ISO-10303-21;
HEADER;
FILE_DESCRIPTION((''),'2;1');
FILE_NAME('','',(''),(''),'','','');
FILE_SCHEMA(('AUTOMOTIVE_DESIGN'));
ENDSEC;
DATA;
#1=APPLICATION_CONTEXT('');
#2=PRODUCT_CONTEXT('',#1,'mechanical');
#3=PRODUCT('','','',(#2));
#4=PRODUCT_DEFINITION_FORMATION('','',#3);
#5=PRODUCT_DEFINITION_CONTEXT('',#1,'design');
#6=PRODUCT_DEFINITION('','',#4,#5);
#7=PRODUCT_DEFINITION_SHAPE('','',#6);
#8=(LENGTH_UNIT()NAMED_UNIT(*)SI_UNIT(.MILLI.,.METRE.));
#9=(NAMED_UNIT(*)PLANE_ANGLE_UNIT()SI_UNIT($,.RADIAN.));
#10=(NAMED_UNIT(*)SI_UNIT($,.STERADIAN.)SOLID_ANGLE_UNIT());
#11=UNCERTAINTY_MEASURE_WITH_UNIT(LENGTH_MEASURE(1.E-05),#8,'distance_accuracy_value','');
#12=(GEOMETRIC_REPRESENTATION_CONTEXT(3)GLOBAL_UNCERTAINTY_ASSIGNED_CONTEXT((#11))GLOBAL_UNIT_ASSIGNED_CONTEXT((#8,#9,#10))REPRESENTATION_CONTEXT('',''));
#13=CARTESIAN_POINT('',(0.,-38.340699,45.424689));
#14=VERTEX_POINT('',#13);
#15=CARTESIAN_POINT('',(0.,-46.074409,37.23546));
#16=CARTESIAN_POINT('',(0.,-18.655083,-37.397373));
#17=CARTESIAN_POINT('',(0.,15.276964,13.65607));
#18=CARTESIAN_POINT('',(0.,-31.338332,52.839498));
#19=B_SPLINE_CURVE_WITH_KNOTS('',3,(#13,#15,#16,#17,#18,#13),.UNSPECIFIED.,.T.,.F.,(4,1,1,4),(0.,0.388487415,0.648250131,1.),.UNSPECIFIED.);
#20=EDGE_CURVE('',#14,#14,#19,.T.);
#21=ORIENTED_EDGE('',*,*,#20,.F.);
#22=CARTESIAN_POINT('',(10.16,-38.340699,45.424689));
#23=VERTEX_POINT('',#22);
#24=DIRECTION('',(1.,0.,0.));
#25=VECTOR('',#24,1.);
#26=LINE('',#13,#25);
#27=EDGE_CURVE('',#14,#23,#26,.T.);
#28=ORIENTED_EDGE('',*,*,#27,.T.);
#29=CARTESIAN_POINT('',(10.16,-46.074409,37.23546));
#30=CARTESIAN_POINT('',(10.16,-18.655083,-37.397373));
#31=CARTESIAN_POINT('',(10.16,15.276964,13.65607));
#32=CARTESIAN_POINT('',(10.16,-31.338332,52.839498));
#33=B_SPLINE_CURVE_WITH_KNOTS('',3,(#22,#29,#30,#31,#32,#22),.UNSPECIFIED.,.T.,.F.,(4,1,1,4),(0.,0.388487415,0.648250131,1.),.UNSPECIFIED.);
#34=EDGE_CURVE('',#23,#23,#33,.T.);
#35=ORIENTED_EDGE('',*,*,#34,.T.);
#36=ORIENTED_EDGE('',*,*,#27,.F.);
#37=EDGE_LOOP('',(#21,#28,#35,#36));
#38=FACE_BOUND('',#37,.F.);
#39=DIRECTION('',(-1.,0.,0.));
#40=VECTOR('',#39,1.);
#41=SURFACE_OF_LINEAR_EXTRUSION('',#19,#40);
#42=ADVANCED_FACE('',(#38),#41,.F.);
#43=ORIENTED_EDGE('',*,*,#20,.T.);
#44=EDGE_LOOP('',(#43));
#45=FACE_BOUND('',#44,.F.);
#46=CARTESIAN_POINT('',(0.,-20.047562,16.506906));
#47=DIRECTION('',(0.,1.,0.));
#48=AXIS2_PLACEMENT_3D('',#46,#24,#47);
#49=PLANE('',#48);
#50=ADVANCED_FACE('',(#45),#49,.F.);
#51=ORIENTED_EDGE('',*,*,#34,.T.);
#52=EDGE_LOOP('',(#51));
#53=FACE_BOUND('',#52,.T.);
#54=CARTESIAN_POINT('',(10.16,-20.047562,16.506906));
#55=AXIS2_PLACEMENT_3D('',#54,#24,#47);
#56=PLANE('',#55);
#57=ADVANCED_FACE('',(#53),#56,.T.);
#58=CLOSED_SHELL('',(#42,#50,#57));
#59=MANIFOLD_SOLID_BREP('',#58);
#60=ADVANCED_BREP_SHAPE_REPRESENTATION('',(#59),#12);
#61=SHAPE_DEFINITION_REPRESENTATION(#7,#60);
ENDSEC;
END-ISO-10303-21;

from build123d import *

# Parameters (mm, degrees)
F1_DEPTH = 10.16


with BuildPart() as f1:
    # F0 (on Right) → F1 (new body)
    with BuildSketch(Plane.YZ):
        with BuildLine():
            add(Edge.make_bspline(
                [(-38.3406989276, 45.4246886075), (-46.0744092247, 37.2354599001), (-18.655083046, -37.3973729837), (15.2769638788, 13.6560701947), (-31.3383315972, 52.8394979757), (-38.3406989276, 45.4246886075)],
                knots=[0, 0, 0, 0, 0.3884874147, 0.6482501314, 1, 1, 1, 1], degree=3))
        make_face()
    extrude(amount=F1_DEPTH)


solid = f1.part
